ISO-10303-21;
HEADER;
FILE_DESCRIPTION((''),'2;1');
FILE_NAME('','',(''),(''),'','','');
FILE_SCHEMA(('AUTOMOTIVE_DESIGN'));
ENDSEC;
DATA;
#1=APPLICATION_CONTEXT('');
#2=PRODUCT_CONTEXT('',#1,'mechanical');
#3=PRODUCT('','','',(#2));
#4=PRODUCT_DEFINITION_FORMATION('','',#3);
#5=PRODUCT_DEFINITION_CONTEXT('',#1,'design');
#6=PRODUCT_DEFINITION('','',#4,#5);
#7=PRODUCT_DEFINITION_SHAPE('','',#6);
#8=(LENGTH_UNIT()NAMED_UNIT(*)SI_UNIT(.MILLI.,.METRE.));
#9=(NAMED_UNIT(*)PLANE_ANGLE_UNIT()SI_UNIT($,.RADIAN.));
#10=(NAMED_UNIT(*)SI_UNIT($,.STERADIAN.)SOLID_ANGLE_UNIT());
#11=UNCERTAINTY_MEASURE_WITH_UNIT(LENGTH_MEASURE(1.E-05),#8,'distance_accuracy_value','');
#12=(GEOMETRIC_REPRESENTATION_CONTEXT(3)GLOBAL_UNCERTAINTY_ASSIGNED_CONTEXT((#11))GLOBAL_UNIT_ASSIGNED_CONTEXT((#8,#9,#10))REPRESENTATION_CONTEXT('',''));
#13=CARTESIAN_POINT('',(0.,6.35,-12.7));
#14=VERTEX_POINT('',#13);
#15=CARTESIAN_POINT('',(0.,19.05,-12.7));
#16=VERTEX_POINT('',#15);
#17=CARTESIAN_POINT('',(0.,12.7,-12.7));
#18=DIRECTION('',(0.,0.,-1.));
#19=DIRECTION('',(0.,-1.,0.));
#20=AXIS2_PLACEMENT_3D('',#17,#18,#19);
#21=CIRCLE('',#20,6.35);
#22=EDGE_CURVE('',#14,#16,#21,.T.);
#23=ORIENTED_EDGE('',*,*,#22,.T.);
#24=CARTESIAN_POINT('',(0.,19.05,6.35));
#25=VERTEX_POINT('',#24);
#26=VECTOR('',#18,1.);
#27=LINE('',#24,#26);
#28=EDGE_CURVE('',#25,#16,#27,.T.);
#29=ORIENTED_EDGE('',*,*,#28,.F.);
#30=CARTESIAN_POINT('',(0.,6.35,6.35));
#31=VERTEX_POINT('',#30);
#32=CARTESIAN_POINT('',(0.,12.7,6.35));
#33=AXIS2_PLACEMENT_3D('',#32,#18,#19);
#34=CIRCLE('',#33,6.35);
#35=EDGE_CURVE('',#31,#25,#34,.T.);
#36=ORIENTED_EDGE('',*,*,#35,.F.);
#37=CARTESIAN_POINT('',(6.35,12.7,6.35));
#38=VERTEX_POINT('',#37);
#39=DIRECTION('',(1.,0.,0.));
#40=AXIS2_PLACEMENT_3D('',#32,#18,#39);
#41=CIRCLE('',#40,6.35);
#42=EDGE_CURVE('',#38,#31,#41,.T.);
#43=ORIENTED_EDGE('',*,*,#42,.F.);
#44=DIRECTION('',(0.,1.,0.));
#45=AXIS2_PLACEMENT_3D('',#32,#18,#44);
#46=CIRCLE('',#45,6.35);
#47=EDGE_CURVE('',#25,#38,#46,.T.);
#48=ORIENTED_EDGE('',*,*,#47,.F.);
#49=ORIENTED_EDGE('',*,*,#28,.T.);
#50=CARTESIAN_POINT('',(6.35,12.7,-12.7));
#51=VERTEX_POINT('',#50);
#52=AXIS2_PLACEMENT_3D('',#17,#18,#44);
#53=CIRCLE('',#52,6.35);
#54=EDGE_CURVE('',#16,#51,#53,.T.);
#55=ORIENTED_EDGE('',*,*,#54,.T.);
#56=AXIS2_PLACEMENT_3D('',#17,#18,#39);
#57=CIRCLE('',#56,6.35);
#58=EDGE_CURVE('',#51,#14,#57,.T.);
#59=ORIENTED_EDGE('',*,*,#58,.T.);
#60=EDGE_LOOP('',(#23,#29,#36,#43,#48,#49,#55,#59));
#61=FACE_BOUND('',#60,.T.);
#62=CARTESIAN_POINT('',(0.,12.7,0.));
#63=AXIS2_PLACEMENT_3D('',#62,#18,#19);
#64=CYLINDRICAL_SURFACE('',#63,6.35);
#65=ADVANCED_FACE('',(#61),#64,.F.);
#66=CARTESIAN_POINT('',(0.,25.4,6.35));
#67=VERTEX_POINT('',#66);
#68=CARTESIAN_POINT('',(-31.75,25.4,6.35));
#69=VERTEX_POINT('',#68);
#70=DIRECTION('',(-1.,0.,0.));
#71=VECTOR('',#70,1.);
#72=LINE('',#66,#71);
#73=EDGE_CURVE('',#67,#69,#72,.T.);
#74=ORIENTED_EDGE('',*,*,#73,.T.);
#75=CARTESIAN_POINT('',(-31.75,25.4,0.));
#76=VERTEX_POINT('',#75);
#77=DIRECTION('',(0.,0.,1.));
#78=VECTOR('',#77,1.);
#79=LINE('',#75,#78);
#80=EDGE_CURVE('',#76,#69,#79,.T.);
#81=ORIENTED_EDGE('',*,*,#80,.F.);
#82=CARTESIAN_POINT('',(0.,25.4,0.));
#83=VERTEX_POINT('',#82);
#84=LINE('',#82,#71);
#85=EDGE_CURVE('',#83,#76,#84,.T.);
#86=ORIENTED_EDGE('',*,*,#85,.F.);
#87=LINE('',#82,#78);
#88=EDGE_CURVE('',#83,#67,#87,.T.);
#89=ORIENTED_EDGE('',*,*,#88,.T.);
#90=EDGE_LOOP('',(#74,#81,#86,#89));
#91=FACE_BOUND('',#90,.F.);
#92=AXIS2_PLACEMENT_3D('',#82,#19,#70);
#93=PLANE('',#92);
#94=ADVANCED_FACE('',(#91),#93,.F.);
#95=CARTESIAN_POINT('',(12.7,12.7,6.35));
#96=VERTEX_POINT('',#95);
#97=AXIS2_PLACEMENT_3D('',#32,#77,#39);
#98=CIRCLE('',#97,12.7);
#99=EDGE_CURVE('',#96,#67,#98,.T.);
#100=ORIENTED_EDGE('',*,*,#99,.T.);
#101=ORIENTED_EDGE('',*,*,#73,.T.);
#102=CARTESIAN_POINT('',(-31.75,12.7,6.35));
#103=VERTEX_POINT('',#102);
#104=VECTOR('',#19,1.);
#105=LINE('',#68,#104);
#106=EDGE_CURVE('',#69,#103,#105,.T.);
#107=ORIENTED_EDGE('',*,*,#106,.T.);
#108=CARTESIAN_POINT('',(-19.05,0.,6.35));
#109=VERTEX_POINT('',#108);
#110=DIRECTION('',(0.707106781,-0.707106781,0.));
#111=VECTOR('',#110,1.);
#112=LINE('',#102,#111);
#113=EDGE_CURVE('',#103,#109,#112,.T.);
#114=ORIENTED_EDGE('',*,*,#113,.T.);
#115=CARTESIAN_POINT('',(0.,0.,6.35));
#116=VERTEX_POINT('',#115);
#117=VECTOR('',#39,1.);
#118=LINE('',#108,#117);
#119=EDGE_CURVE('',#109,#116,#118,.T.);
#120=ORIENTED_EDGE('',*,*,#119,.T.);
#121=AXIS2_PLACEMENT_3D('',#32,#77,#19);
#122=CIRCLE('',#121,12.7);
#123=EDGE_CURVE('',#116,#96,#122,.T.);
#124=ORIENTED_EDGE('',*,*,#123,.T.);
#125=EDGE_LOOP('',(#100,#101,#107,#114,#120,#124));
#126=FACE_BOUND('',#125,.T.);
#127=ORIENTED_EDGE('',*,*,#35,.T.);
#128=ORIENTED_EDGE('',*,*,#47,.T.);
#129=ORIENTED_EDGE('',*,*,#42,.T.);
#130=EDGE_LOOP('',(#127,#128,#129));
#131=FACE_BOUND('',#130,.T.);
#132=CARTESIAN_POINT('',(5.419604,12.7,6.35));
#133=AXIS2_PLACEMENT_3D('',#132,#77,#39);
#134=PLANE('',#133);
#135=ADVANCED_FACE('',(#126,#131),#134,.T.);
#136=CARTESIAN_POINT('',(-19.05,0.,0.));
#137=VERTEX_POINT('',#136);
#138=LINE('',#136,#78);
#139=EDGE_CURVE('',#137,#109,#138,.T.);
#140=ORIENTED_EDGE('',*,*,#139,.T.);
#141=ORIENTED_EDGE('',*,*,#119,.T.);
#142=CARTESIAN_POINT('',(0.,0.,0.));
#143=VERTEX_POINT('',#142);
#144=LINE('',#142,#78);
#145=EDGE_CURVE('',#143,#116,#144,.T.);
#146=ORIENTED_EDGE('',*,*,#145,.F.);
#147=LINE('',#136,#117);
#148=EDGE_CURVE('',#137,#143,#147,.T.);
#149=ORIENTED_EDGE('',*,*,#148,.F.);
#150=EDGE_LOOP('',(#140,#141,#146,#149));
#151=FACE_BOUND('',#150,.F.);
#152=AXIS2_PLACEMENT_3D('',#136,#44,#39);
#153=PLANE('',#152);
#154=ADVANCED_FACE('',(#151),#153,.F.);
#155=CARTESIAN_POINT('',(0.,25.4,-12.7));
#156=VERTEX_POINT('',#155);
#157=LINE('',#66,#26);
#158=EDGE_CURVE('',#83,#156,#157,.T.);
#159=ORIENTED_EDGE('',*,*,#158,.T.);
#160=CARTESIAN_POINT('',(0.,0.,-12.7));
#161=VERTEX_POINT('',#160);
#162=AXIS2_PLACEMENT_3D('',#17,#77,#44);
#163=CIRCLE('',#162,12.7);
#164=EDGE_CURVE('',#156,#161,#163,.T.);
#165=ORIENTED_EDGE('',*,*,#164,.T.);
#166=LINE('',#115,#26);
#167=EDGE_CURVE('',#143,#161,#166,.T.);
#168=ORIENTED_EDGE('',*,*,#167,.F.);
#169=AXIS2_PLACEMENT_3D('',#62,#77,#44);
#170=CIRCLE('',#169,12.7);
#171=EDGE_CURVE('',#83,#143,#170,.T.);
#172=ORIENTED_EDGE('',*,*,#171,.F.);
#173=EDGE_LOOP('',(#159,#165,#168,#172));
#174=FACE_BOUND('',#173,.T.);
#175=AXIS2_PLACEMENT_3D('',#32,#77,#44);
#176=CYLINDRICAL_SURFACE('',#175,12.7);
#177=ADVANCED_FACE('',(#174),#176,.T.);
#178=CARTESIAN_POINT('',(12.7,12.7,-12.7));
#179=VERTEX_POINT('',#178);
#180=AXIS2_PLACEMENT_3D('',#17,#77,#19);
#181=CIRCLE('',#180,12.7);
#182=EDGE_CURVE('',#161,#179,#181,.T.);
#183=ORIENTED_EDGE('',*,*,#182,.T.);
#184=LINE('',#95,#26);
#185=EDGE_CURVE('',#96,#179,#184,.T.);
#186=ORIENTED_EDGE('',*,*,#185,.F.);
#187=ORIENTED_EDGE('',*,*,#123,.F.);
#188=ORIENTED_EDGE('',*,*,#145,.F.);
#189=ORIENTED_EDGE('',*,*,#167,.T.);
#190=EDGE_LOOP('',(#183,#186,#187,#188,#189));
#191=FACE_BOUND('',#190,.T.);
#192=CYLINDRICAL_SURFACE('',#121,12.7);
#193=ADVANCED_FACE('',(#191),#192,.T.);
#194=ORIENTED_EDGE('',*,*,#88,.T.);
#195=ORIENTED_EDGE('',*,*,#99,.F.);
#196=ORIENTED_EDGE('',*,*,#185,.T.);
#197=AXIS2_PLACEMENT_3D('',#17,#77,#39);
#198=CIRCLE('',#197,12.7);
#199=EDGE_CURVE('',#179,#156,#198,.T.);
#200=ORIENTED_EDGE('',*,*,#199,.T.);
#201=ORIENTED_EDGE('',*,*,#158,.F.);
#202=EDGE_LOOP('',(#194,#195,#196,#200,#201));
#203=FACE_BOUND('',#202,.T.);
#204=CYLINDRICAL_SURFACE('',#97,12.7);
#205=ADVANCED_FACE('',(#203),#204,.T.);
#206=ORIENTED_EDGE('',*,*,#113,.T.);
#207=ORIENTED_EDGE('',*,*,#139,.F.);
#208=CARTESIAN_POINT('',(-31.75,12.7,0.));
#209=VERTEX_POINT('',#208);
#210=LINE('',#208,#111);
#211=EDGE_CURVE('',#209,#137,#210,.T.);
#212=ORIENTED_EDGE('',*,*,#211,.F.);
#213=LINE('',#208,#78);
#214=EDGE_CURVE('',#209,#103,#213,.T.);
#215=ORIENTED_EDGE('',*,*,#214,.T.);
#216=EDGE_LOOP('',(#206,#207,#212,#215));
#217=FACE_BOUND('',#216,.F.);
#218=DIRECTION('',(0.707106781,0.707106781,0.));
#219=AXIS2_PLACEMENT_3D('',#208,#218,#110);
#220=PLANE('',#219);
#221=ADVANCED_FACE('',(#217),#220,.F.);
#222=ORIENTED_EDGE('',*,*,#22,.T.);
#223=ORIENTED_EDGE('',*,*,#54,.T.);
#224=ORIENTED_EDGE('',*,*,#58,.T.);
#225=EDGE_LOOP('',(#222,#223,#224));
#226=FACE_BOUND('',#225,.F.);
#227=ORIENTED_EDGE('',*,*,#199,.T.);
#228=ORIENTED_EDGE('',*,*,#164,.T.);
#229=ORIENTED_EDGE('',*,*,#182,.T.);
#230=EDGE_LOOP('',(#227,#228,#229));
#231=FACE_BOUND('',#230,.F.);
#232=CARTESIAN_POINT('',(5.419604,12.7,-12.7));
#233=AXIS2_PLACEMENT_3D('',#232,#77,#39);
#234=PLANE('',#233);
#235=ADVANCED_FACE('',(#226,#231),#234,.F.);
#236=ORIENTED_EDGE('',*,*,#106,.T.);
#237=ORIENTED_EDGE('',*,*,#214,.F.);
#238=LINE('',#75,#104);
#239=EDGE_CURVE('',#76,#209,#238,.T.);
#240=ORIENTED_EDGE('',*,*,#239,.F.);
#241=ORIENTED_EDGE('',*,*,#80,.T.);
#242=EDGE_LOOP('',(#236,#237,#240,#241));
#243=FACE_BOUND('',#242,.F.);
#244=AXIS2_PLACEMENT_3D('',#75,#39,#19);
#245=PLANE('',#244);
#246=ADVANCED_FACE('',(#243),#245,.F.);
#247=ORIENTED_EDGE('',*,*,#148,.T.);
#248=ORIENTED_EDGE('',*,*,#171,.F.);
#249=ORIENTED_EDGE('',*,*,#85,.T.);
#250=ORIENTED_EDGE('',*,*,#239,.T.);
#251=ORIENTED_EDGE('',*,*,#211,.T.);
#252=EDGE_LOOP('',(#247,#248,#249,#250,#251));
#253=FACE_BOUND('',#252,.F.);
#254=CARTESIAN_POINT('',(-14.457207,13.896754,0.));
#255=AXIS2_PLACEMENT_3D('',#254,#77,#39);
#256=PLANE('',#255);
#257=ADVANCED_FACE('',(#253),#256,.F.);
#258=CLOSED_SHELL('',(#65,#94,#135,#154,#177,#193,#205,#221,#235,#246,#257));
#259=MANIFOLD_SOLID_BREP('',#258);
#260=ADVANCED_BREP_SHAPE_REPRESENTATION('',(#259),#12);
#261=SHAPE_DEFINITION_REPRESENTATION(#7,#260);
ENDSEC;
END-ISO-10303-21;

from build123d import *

# Parameters (mm, degrees)
F1_DEPTH = 6.35
F3_DEPTH = 19.05
F4_DEPTH = 6.351


with BuildPart() as f1:
    # F0 (on Top) → F1 (new body)
    with BuildSketch(Plane.XY):
        Polygon((-19.05, 0), (0, 0), (0, 25.4), (-31.75, 25.4), (-31.75, 12.7), align=None)
    extrude(amount=F1_DEPTH)

    # F2 (on face) → F3 (join)
    with BuildSketch(Plane.XY.offset(6.35)):
        with BuildLine():
            ThreePointArc((0, 0), (8.9802561211, 3.7197438789), (12.7, 12.7))
            ThreePointArc((12.7, 12.7), (8.9802561211, 21.6802561211), (0, 25.4))
            Line((0, 25.4), (0, 19.05))
            ThreePointArc((0, 19.05), (4.4901280605, 17.1901280605), (6.35, 12.7))
            ThreePointArc((6.35, 12.7), (4.4901280605, 8.2098719395), (0, 6.35))
            Line((0, 6.35), (0, 0))
        make_face()
        with BuildLine():
            Line((0, 19.05), (0, 25.4))
            ThreePointArc((0, 25.4), (-12.7, 12.7), (0, 0))
            Line((0, 0), (0, 6.35))
            ThreePointArc((0, 6.35), (-6.35, 12.7), (0, 19.05))
        make_face()
    extrude(amount=-F3_DEPTH)

    # F4 (cut, through all): a face of the model
    f4_faces = [f1.faces().sort_by_distance(p)[0] for p in [
        (-2.695023703, 12.7, 0),
    ]]
    extrude(f4_faces, amount=-F4_DEPTH, mode=Mode.SUBTRACT)


solid = f1.part
